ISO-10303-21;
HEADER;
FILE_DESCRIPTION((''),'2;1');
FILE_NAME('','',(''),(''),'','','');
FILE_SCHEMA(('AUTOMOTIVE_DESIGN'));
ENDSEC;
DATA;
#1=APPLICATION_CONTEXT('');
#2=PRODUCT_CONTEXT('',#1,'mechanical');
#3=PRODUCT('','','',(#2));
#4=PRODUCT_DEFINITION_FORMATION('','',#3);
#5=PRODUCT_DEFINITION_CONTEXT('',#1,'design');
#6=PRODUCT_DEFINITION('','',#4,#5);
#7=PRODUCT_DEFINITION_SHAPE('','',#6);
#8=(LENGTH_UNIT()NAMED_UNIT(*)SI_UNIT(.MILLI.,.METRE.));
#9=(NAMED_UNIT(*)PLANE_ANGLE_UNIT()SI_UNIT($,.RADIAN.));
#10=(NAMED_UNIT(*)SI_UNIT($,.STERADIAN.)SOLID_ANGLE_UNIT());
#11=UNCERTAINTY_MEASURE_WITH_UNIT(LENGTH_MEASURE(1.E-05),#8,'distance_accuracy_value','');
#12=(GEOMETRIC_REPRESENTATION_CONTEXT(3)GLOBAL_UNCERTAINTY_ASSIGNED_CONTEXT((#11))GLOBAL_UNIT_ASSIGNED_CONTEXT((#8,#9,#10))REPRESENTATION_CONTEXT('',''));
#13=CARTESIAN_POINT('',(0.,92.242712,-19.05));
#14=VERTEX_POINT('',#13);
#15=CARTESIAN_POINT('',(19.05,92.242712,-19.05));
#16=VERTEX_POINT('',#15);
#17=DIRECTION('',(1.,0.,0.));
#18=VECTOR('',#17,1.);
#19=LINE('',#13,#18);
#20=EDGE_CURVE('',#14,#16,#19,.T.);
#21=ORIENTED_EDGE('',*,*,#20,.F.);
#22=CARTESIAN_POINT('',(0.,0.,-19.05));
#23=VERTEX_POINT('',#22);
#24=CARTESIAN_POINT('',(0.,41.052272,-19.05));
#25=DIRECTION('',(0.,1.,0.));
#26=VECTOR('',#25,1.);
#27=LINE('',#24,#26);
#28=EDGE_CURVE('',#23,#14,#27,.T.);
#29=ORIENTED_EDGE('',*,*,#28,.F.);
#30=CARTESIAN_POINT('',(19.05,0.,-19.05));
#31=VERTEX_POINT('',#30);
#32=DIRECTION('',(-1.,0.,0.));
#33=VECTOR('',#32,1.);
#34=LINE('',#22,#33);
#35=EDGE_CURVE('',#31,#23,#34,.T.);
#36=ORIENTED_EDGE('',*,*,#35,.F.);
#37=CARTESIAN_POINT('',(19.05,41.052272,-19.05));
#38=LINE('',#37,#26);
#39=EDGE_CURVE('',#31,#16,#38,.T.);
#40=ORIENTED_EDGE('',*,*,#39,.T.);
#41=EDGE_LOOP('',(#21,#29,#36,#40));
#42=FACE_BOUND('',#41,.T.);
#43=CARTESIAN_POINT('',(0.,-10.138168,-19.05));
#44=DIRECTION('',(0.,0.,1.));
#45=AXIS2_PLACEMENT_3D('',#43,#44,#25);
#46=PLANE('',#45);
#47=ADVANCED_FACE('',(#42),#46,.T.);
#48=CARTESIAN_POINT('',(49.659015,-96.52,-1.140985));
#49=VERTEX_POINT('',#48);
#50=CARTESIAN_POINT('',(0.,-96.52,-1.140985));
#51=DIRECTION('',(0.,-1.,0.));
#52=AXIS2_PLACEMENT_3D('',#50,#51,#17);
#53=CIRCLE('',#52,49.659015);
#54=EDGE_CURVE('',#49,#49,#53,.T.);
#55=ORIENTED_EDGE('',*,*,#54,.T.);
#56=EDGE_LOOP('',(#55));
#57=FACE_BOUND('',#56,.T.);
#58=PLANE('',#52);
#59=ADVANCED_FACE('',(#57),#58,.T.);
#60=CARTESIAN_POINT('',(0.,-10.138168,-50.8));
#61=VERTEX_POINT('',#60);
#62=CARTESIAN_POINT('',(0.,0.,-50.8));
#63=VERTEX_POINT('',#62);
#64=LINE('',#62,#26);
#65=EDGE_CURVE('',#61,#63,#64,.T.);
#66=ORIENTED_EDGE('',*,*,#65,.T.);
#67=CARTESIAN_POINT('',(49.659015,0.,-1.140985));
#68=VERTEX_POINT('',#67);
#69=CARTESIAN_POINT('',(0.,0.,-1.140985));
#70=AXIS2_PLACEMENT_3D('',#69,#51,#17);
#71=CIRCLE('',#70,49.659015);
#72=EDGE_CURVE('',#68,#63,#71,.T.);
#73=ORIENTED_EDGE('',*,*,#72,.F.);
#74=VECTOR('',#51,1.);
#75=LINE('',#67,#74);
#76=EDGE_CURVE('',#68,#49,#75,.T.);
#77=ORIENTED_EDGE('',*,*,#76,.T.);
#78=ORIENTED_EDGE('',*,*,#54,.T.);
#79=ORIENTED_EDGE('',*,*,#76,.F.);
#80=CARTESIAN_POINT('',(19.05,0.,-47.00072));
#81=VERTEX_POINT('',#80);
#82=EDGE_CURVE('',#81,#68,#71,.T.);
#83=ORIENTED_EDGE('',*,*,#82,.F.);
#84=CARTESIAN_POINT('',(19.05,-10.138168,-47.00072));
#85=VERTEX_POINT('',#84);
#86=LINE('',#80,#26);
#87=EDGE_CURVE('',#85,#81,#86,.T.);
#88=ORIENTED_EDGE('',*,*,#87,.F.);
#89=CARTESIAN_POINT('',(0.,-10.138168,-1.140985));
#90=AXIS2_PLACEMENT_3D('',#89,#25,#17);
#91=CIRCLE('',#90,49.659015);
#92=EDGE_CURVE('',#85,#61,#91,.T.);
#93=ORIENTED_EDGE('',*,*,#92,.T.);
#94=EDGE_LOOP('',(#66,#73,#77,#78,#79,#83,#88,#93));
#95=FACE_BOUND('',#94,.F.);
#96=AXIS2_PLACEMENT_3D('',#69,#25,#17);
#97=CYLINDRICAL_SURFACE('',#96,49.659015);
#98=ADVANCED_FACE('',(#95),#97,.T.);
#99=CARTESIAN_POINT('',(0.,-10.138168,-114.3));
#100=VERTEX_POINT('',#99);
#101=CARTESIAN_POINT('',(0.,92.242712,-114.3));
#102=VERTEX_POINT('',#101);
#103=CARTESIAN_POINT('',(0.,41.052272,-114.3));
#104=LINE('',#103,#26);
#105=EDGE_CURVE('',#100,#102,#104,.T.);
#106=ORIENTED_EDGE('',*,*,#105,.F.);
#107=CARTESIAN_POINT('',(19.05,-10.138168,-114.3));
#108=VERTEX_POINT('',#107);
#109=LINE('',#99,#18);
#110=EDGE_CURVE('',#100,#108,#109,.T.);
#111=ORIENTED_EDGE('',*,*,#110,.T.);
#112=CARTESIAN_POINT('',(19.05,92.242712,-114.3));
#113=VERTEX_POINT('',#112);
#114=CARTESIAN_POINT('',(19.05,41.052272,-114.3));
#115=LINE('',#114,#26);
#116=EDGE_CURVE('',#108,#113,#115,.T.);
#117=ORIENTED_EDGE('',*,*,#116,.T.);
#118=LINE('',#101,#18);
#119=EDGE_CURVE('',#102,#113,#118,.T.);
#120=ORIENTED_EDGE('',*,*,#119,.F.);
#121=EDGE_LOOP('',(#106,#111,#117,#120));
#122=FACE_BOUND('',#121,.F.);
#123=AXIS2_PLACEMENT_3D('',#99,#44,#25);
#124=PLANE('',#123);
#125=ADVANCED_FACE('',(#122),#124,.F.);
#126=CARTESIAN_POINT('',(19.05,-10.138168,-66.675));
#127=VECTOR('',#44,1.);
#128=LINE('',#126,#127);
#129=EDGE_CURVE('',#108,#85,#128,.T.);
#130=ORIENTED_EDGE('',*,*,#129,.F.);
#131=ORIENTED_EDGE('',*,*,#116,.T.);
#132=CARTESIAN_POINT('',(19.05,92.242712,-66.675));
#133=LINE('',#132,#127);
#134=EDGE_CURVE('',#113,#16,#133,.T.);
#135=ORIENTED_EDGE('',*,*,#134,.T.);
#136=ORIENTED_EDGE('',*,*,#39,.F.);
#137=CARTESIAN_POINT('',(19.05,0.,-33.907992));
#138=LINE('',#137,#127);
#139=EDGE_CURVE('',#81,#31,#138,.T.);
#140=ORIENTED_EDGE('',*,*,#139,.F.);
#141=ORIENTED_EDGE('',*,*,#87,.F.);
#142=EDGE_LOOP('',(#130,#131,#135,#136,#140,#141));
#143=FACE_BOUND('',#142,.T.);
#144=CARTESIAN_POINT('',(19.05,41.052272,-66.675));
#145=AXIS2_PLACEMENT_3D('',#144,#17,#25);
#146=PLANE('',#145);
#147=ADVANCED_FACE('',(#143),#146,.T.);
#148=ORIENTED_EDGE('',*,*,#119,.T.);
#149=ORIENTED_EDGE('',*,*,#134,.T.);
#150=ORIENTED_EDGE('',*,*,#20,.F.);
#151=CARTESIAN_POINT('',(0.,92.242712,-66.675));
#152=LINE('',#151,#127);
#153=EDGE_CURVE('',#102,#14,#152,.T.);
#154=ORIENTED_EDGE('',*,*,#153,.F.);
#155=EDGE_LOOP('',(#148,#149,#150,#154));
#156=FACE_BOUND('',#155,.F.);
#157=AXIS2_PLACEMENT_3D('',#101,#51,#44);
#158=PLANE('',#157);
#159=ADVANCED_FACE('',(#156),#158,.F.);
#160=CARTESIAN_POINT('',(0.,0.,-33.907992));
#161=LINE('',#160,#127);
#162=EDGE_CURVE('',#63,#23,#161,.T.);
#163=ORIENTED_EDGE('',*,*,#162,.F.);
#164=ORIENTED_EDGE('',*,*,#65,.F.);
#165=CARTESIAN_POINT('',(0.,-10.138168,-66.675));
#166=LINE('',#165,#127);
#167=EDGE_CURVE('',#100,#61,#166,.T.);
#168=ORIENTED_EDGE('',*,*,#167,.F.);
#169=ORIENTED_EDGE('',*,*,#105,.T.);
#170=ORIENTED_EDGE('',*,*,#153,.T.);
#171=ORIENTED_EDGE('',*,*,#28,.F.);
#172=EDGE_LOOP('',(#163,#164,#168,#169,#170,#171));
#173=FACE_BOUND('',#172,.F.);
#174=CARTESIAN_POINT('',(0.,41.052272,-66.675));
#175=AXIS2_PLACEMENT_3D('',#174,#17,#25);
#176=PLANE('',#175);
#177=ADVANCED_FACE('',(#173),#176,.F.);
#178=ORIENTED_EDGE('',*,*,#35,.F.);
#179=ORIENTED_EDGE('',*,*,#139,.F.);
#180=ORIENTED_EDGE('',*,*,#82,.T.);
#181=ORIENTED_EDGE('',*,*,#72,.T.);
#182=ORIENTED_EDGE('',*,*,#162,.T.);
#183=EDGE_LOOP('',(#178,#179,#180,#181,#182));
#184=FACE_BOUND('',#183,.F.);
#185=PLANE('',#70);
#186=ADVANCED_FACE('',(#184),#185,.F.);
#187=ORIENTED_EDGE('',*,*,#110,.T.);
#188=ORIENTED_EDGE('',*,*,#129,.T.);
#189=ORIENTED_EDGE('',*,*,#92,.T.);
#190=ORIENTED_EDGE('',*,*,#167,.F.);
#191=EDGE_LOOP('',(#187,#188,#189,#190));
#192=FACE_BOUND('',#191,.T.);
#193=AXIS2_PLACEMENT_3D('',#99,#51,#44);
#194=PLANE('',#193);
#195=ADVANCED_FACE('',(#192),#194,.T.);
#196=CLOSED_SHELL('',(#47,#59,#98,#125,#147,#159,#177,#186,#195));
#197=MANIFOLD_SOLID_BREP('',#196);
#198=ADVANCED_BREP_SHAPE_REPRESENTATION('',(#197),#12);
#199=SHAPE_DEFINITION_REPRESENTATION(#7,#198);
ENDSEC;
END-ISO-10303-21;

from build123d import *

# Parameters (mm, degrees)
F0_R     = 49.659015
F1_DEPTH = 96.52
F2_W     = 102.38088
F2_H     = 95.25
F3_DEPTH = 19.05


with BuildPart() as f1:
    # F0 (on Front) → F1 (new body)
    with BuildSketch(Plane.XZ):
        with Locations((0, -1.140985)):
            Circle(F0_R)
    extrude(amount=F1_DEPTH)

    # F2 (on Right) → F3 (join)
    with BuildSketch(Plane.YZ):
        with Locations((41.052272, -66.675)):
            Rectangle(F2_W, F2_H)
    extrude(amount=F3_DEPTH)


solid = f1.part
